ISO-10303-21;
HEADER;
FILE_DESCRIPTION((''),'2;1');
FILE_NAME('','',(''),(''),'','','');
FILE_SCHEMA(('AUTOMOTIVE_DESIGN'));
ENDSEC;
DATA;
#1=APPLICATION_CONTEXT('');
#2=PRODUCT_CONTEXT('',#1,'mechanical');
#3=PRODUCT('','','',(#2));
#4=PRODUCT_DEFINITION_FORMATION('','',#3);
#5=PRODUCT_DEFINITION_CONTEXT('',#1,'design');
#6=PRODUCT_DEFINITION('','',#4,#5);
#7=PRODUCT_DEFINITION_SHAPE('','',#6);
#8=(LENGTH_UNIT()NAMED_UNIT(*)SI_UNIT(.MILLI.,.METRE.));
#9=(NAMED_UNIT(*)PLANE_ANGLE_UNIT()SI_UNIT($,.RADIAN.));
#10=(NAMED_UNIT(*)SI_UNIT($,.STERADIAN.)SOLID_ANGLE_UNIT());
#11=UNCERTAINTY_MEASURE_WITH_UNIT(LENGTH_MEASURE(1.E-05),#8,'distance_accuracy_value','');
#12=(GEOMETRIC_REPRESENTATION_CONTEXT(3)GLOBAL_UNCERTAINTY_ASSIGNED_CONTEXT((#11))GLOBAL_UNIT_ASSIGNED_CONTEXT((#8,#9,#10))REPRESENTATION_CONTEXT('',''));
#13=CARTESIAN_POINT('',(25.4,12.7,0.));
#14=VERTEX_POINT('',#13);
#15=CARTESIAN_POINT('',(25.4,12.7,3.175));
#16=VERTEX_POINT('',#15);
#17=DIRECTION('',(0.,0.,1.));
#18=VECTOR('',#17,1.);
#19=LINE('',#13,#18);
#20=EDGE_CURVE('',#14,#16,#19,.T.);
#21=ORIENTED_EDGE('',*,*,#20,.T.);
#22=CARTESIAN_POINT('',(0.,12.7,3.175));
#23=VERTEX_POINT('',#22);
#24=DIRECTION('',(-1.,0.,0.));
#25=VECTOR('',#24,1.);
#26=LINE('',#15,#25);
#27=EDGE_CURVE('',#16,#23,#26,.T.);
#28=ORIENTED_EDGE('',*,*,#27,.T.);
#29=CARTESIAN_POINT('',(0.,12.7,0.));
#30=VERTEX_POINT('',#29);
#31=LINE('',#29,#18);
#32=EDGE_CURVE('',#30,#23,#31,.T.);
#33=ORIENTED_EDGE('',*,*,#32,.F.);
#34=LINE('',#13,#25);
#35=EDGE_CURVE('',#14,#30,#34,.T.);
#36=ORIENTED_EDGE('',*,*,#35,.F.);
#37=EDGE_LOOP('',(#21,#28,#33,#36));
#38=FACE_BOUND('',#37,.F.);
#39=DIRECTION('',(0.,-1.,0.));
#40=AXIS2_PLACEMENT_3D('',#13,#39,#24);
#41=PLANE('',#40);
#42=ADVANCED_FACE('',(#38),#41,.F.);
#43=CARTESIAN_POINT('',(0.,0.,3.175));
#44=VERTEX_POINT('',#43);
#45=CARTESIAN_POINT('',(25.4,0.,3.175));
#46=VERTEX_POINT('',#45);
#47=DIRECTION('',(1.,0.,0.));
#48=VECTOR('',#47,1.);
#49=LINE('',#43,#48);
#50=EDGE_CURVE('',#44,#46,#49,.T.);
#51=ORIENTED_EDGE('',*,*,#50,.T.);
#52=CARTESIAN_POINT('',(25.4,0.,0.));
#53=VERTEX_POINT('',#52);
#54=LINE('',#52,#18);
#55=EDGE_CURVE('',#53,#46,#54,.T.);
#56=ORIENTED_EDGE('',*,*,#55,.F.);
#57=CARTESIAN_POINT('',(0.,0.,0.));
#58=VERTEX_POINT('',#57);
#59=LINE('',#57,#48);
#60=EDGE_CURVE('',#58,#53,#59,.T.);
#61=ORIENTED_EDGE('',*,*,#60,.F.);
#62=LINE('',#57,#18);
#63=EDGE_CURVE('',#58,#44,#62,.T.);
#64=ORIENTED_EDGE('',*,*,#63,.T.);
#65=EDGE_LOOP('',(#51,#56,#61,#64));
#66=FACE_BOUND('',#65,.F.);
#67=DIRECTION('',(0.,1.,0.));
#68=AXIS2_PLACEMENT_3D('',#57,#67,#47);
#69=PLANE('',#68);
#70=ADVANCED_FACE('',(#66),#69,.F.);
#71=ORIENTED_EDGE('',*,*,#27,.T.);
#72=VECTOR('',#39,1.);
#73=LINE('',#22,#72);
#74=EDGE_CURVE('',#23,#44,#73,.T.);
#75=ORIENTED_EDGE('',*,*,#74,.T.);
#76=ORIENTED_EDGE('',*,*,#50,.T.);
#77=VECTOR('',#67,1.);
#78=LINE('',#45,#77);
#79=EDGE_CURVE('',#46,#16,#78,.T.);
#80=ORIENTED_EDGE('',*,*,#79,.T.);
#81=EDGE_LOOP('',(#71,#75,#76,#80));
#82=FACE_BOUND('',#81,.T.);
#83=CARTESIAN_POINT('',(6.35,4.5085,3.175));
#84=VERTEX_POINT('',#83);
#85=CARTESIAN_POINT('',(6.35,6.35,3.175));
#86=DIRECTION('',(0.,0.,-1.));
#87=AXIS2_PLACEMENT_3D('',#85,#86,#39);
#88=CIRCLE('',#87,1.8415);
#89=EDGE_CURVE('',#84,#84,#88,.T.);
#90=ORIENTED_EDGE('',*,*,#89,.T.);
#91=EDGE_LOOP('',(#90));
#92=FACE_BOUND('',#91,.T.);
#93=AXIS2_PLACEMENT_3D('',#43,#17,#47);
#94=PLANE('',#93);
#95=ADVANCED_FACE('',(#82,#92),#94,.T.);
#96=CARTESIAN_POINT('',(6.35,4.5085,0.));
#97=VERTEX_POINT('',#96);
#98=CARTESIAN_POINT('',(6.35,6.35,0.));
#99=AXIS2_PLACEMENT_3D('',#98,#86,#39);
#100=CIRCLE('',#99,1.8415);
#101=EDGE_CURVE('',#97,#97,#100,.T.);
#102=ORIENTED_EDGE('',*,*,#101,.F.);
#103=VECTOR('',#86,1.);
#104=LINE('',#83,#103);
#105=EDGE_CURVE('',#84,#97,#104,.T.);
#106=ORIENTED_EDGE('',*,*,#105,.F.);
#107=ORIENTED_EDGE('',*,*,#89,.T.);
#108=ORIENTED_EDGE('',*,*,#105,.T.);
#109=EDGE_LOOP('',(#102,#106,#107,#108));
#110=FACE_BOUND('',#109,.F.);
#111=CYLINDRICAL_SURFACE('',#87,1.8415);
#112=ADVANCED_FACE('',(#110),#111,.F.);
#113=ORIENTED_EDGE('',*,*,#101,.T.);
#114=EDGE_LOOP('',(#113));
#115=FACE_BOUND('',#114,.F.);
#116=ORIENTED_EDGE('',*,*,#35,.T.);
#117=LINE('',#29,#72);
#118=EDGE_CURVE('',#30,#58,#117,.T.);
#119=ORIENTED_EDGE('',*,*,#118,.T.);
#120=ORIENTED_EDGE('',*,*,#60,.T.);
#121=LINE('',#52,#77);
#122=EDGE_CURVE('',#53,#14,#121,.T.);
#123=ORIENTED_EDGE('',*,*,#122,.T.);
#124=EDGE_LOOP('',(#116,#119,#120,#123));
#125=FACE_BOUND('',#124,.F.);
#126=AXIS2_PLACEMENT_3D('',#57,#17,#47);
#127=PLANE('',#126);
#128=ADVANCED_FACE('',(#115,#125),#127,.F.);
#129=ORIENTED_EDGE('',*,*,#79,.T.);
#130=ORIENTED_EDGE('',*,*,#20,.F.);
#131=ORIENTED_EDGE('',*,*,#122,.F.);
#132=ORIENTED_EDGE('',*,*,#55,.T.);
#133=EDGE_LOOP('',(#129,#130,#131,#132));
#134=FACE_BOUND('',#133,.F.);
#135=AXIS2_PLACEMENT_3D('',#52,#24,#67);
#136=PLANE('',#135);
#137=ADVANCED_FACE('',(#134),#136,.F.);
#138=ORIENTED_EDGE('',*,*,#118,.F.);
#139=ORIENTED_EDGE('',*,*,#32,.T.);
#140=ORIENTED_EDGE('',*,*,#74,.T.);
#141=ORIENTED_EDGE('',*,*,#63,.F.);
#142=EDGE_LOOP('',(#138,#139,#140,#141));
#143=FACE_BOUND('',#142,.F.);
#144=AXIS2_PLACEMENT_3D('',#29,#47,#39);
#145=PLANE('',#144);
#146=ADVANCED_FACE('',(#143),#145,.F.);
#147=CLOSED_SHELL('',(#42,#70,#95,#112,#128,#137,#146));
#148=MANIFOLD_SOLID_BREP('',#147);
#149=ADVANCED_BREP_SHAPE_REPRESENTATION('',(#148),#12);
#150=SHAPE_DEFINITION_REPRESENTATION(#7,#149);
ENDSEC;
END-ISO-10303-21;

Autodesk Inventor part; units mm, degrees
ref_plane "YZ Plane" through (0, 0, 0) normal (1, 0, 0) x (0, 1, 0)
ref_plane "XZ Plane" through (0, 0, 0) normal (0, 1, 0) x (-1, 0, 0)
ref_plane "XY Plane" through (0, 0, 0) normal (0, 0, 1) x (1, 0, 0)
sketch "Sketch1" plane through (0, 0, 0) normal (0, 0, 1) x (1, 0, 0)
  line L0 (0, 0) -> (25.4, 0)
  line L1 (25.4, 0) -> (25.4, 12.7)
  line L2 (25.4, 12.7) -> (0, 12.7)
  line L3 (0, 12.7) -> (0, 0)
  dimension "d0" = 25.4
  dimension "d1" = 12.7
extrude "Extrusion1" add sketch "Sketch1" along normal blind 3.175
sketch "Sketch2" plane through (0, 0, 3.175) normal (0, 0, 1) x (1, 0, 0)
  line L0 (25.4, 12.7) -> (0, 12.7) projected
  line L1 (0, 12.7) -> (0, 0) projected
  point P0 (6.35, 6.35)
  dimension "d4" = 6.35
  dimension "d5" = 6.35
hole "Hole1" at (6.35, 6.35, 3.175) direction (0, 0, -1) diameter 3.683 end through all thread size "10-24 UNC" class "2B" standard "ANSI Unified Screw Threads"
properties part number "CLB_010_RollerSquareBracketS2"
